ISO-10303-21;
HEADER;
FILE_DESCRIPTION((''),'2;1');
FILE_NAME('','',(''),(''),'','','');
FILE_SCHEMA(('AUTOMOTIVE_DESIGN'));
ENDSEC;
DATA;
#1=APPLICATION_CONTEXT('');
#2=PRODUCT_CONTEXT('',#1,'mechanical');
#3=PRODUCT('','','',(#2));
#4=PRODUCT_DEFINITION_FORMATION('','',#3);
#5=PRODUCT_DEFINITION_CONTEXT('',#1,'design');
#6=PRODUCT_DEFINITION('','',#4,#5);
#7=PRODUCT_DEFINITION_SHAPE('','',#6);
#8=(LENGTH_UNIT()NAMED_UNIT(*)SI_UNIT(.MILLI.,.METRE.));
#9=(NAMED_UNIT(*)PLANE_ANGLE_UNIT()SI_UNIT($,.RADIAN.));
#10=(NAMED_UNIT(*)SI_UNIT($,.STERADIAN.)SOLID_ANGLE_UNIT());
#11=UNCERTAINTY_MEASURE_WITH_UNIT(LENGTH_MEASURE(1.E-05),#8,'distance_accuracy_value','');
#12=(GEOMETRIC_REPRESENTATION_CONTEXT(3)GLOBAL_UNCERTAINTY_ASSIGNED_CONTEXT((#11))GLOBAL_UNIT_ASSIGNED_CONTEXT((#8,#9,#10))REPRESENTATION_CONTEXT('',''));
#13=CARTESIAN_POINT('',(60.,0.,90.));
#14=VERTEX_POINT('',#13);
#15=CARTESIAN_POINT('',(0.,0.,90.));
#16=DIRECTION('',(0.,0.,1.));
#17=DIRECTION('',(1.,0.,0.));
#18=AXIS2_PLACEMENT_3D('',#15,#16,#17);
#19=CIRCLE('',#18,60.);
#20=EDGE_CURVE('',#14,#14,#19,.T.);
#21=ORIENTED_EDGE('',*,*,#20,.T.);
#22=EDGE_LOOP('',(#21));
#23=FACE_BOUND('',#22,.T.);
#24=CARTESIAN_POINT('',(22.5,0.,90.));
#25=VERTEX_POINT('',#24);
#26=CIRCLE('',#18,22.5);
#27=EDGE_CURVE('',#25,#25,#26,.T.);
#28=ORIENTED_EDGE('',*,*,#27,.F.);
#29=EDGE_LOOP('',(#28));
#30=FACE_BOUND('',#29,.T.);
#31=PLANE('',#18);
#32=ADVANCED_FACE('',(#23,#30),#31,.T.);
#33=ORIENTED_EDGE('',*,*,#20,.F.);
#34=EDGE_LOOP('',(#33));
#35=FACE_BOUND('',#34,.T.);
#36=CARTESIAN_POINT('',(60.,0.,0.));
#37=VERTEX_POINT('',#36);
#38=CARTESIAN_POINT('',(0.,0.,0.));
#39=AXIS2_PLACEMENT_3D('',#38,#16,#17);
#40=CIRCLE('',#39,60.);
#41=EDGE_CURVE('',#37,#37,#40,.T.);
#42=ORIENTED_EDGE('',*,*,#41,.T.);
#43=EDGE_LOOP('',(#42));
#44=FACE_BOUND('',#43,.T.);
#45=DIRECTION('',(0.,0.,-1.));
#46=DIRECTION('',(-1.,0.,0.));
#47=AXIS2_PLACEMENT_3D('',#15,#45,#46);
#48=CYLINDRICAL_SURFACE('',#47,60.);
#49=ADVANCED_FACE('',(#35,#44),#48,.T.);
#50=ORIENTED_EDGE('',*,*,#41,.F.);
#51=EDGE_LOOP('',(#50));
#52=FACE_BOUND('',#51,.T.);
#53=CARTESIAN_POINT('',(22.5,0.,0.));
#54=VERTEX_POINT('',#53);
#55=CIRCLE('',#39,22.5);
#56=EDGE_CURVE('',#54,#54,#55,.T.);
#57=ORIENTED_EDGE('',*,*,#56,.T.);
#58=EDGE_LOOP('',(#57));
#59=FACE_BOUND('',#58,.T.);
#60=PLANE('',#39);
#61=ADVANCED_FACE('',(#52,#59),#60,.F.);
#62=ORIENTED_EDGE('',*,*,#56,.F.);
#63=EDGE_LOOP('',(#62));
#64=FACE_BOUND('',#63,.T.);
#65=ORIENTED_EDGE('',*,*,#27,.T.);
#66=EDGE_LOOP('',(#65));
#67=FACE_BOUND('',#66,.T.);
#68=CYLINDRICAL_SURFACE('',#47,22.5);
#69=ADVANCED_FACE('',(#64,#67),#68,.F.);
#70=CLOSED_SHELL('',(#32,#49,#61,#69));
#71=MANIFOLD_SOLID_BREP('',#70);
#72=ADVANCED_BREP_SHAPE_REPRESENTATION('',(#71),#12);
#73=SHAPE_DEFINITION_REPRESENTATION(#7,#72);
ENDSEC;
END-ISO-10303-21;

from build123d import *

# Parameters (mm, degrees)
SKETCH1_R           = 60
SKETCH1_R_2         = 22.5
BOSS_EXTRUDE1_DEPTH = 90


with BuildPart() as part:
    # Sketch1 → Boss-Extrude1 (new body)
    with BuildSketch(Plane.XY):
        Circle(SKETCH1_R)
        Circle(SKETCH1_R_2, mode=Mode.SUBTRACT)
    extrude(amount=BOSS_EXTRUDE1_DEPTH)


solid = part.part
